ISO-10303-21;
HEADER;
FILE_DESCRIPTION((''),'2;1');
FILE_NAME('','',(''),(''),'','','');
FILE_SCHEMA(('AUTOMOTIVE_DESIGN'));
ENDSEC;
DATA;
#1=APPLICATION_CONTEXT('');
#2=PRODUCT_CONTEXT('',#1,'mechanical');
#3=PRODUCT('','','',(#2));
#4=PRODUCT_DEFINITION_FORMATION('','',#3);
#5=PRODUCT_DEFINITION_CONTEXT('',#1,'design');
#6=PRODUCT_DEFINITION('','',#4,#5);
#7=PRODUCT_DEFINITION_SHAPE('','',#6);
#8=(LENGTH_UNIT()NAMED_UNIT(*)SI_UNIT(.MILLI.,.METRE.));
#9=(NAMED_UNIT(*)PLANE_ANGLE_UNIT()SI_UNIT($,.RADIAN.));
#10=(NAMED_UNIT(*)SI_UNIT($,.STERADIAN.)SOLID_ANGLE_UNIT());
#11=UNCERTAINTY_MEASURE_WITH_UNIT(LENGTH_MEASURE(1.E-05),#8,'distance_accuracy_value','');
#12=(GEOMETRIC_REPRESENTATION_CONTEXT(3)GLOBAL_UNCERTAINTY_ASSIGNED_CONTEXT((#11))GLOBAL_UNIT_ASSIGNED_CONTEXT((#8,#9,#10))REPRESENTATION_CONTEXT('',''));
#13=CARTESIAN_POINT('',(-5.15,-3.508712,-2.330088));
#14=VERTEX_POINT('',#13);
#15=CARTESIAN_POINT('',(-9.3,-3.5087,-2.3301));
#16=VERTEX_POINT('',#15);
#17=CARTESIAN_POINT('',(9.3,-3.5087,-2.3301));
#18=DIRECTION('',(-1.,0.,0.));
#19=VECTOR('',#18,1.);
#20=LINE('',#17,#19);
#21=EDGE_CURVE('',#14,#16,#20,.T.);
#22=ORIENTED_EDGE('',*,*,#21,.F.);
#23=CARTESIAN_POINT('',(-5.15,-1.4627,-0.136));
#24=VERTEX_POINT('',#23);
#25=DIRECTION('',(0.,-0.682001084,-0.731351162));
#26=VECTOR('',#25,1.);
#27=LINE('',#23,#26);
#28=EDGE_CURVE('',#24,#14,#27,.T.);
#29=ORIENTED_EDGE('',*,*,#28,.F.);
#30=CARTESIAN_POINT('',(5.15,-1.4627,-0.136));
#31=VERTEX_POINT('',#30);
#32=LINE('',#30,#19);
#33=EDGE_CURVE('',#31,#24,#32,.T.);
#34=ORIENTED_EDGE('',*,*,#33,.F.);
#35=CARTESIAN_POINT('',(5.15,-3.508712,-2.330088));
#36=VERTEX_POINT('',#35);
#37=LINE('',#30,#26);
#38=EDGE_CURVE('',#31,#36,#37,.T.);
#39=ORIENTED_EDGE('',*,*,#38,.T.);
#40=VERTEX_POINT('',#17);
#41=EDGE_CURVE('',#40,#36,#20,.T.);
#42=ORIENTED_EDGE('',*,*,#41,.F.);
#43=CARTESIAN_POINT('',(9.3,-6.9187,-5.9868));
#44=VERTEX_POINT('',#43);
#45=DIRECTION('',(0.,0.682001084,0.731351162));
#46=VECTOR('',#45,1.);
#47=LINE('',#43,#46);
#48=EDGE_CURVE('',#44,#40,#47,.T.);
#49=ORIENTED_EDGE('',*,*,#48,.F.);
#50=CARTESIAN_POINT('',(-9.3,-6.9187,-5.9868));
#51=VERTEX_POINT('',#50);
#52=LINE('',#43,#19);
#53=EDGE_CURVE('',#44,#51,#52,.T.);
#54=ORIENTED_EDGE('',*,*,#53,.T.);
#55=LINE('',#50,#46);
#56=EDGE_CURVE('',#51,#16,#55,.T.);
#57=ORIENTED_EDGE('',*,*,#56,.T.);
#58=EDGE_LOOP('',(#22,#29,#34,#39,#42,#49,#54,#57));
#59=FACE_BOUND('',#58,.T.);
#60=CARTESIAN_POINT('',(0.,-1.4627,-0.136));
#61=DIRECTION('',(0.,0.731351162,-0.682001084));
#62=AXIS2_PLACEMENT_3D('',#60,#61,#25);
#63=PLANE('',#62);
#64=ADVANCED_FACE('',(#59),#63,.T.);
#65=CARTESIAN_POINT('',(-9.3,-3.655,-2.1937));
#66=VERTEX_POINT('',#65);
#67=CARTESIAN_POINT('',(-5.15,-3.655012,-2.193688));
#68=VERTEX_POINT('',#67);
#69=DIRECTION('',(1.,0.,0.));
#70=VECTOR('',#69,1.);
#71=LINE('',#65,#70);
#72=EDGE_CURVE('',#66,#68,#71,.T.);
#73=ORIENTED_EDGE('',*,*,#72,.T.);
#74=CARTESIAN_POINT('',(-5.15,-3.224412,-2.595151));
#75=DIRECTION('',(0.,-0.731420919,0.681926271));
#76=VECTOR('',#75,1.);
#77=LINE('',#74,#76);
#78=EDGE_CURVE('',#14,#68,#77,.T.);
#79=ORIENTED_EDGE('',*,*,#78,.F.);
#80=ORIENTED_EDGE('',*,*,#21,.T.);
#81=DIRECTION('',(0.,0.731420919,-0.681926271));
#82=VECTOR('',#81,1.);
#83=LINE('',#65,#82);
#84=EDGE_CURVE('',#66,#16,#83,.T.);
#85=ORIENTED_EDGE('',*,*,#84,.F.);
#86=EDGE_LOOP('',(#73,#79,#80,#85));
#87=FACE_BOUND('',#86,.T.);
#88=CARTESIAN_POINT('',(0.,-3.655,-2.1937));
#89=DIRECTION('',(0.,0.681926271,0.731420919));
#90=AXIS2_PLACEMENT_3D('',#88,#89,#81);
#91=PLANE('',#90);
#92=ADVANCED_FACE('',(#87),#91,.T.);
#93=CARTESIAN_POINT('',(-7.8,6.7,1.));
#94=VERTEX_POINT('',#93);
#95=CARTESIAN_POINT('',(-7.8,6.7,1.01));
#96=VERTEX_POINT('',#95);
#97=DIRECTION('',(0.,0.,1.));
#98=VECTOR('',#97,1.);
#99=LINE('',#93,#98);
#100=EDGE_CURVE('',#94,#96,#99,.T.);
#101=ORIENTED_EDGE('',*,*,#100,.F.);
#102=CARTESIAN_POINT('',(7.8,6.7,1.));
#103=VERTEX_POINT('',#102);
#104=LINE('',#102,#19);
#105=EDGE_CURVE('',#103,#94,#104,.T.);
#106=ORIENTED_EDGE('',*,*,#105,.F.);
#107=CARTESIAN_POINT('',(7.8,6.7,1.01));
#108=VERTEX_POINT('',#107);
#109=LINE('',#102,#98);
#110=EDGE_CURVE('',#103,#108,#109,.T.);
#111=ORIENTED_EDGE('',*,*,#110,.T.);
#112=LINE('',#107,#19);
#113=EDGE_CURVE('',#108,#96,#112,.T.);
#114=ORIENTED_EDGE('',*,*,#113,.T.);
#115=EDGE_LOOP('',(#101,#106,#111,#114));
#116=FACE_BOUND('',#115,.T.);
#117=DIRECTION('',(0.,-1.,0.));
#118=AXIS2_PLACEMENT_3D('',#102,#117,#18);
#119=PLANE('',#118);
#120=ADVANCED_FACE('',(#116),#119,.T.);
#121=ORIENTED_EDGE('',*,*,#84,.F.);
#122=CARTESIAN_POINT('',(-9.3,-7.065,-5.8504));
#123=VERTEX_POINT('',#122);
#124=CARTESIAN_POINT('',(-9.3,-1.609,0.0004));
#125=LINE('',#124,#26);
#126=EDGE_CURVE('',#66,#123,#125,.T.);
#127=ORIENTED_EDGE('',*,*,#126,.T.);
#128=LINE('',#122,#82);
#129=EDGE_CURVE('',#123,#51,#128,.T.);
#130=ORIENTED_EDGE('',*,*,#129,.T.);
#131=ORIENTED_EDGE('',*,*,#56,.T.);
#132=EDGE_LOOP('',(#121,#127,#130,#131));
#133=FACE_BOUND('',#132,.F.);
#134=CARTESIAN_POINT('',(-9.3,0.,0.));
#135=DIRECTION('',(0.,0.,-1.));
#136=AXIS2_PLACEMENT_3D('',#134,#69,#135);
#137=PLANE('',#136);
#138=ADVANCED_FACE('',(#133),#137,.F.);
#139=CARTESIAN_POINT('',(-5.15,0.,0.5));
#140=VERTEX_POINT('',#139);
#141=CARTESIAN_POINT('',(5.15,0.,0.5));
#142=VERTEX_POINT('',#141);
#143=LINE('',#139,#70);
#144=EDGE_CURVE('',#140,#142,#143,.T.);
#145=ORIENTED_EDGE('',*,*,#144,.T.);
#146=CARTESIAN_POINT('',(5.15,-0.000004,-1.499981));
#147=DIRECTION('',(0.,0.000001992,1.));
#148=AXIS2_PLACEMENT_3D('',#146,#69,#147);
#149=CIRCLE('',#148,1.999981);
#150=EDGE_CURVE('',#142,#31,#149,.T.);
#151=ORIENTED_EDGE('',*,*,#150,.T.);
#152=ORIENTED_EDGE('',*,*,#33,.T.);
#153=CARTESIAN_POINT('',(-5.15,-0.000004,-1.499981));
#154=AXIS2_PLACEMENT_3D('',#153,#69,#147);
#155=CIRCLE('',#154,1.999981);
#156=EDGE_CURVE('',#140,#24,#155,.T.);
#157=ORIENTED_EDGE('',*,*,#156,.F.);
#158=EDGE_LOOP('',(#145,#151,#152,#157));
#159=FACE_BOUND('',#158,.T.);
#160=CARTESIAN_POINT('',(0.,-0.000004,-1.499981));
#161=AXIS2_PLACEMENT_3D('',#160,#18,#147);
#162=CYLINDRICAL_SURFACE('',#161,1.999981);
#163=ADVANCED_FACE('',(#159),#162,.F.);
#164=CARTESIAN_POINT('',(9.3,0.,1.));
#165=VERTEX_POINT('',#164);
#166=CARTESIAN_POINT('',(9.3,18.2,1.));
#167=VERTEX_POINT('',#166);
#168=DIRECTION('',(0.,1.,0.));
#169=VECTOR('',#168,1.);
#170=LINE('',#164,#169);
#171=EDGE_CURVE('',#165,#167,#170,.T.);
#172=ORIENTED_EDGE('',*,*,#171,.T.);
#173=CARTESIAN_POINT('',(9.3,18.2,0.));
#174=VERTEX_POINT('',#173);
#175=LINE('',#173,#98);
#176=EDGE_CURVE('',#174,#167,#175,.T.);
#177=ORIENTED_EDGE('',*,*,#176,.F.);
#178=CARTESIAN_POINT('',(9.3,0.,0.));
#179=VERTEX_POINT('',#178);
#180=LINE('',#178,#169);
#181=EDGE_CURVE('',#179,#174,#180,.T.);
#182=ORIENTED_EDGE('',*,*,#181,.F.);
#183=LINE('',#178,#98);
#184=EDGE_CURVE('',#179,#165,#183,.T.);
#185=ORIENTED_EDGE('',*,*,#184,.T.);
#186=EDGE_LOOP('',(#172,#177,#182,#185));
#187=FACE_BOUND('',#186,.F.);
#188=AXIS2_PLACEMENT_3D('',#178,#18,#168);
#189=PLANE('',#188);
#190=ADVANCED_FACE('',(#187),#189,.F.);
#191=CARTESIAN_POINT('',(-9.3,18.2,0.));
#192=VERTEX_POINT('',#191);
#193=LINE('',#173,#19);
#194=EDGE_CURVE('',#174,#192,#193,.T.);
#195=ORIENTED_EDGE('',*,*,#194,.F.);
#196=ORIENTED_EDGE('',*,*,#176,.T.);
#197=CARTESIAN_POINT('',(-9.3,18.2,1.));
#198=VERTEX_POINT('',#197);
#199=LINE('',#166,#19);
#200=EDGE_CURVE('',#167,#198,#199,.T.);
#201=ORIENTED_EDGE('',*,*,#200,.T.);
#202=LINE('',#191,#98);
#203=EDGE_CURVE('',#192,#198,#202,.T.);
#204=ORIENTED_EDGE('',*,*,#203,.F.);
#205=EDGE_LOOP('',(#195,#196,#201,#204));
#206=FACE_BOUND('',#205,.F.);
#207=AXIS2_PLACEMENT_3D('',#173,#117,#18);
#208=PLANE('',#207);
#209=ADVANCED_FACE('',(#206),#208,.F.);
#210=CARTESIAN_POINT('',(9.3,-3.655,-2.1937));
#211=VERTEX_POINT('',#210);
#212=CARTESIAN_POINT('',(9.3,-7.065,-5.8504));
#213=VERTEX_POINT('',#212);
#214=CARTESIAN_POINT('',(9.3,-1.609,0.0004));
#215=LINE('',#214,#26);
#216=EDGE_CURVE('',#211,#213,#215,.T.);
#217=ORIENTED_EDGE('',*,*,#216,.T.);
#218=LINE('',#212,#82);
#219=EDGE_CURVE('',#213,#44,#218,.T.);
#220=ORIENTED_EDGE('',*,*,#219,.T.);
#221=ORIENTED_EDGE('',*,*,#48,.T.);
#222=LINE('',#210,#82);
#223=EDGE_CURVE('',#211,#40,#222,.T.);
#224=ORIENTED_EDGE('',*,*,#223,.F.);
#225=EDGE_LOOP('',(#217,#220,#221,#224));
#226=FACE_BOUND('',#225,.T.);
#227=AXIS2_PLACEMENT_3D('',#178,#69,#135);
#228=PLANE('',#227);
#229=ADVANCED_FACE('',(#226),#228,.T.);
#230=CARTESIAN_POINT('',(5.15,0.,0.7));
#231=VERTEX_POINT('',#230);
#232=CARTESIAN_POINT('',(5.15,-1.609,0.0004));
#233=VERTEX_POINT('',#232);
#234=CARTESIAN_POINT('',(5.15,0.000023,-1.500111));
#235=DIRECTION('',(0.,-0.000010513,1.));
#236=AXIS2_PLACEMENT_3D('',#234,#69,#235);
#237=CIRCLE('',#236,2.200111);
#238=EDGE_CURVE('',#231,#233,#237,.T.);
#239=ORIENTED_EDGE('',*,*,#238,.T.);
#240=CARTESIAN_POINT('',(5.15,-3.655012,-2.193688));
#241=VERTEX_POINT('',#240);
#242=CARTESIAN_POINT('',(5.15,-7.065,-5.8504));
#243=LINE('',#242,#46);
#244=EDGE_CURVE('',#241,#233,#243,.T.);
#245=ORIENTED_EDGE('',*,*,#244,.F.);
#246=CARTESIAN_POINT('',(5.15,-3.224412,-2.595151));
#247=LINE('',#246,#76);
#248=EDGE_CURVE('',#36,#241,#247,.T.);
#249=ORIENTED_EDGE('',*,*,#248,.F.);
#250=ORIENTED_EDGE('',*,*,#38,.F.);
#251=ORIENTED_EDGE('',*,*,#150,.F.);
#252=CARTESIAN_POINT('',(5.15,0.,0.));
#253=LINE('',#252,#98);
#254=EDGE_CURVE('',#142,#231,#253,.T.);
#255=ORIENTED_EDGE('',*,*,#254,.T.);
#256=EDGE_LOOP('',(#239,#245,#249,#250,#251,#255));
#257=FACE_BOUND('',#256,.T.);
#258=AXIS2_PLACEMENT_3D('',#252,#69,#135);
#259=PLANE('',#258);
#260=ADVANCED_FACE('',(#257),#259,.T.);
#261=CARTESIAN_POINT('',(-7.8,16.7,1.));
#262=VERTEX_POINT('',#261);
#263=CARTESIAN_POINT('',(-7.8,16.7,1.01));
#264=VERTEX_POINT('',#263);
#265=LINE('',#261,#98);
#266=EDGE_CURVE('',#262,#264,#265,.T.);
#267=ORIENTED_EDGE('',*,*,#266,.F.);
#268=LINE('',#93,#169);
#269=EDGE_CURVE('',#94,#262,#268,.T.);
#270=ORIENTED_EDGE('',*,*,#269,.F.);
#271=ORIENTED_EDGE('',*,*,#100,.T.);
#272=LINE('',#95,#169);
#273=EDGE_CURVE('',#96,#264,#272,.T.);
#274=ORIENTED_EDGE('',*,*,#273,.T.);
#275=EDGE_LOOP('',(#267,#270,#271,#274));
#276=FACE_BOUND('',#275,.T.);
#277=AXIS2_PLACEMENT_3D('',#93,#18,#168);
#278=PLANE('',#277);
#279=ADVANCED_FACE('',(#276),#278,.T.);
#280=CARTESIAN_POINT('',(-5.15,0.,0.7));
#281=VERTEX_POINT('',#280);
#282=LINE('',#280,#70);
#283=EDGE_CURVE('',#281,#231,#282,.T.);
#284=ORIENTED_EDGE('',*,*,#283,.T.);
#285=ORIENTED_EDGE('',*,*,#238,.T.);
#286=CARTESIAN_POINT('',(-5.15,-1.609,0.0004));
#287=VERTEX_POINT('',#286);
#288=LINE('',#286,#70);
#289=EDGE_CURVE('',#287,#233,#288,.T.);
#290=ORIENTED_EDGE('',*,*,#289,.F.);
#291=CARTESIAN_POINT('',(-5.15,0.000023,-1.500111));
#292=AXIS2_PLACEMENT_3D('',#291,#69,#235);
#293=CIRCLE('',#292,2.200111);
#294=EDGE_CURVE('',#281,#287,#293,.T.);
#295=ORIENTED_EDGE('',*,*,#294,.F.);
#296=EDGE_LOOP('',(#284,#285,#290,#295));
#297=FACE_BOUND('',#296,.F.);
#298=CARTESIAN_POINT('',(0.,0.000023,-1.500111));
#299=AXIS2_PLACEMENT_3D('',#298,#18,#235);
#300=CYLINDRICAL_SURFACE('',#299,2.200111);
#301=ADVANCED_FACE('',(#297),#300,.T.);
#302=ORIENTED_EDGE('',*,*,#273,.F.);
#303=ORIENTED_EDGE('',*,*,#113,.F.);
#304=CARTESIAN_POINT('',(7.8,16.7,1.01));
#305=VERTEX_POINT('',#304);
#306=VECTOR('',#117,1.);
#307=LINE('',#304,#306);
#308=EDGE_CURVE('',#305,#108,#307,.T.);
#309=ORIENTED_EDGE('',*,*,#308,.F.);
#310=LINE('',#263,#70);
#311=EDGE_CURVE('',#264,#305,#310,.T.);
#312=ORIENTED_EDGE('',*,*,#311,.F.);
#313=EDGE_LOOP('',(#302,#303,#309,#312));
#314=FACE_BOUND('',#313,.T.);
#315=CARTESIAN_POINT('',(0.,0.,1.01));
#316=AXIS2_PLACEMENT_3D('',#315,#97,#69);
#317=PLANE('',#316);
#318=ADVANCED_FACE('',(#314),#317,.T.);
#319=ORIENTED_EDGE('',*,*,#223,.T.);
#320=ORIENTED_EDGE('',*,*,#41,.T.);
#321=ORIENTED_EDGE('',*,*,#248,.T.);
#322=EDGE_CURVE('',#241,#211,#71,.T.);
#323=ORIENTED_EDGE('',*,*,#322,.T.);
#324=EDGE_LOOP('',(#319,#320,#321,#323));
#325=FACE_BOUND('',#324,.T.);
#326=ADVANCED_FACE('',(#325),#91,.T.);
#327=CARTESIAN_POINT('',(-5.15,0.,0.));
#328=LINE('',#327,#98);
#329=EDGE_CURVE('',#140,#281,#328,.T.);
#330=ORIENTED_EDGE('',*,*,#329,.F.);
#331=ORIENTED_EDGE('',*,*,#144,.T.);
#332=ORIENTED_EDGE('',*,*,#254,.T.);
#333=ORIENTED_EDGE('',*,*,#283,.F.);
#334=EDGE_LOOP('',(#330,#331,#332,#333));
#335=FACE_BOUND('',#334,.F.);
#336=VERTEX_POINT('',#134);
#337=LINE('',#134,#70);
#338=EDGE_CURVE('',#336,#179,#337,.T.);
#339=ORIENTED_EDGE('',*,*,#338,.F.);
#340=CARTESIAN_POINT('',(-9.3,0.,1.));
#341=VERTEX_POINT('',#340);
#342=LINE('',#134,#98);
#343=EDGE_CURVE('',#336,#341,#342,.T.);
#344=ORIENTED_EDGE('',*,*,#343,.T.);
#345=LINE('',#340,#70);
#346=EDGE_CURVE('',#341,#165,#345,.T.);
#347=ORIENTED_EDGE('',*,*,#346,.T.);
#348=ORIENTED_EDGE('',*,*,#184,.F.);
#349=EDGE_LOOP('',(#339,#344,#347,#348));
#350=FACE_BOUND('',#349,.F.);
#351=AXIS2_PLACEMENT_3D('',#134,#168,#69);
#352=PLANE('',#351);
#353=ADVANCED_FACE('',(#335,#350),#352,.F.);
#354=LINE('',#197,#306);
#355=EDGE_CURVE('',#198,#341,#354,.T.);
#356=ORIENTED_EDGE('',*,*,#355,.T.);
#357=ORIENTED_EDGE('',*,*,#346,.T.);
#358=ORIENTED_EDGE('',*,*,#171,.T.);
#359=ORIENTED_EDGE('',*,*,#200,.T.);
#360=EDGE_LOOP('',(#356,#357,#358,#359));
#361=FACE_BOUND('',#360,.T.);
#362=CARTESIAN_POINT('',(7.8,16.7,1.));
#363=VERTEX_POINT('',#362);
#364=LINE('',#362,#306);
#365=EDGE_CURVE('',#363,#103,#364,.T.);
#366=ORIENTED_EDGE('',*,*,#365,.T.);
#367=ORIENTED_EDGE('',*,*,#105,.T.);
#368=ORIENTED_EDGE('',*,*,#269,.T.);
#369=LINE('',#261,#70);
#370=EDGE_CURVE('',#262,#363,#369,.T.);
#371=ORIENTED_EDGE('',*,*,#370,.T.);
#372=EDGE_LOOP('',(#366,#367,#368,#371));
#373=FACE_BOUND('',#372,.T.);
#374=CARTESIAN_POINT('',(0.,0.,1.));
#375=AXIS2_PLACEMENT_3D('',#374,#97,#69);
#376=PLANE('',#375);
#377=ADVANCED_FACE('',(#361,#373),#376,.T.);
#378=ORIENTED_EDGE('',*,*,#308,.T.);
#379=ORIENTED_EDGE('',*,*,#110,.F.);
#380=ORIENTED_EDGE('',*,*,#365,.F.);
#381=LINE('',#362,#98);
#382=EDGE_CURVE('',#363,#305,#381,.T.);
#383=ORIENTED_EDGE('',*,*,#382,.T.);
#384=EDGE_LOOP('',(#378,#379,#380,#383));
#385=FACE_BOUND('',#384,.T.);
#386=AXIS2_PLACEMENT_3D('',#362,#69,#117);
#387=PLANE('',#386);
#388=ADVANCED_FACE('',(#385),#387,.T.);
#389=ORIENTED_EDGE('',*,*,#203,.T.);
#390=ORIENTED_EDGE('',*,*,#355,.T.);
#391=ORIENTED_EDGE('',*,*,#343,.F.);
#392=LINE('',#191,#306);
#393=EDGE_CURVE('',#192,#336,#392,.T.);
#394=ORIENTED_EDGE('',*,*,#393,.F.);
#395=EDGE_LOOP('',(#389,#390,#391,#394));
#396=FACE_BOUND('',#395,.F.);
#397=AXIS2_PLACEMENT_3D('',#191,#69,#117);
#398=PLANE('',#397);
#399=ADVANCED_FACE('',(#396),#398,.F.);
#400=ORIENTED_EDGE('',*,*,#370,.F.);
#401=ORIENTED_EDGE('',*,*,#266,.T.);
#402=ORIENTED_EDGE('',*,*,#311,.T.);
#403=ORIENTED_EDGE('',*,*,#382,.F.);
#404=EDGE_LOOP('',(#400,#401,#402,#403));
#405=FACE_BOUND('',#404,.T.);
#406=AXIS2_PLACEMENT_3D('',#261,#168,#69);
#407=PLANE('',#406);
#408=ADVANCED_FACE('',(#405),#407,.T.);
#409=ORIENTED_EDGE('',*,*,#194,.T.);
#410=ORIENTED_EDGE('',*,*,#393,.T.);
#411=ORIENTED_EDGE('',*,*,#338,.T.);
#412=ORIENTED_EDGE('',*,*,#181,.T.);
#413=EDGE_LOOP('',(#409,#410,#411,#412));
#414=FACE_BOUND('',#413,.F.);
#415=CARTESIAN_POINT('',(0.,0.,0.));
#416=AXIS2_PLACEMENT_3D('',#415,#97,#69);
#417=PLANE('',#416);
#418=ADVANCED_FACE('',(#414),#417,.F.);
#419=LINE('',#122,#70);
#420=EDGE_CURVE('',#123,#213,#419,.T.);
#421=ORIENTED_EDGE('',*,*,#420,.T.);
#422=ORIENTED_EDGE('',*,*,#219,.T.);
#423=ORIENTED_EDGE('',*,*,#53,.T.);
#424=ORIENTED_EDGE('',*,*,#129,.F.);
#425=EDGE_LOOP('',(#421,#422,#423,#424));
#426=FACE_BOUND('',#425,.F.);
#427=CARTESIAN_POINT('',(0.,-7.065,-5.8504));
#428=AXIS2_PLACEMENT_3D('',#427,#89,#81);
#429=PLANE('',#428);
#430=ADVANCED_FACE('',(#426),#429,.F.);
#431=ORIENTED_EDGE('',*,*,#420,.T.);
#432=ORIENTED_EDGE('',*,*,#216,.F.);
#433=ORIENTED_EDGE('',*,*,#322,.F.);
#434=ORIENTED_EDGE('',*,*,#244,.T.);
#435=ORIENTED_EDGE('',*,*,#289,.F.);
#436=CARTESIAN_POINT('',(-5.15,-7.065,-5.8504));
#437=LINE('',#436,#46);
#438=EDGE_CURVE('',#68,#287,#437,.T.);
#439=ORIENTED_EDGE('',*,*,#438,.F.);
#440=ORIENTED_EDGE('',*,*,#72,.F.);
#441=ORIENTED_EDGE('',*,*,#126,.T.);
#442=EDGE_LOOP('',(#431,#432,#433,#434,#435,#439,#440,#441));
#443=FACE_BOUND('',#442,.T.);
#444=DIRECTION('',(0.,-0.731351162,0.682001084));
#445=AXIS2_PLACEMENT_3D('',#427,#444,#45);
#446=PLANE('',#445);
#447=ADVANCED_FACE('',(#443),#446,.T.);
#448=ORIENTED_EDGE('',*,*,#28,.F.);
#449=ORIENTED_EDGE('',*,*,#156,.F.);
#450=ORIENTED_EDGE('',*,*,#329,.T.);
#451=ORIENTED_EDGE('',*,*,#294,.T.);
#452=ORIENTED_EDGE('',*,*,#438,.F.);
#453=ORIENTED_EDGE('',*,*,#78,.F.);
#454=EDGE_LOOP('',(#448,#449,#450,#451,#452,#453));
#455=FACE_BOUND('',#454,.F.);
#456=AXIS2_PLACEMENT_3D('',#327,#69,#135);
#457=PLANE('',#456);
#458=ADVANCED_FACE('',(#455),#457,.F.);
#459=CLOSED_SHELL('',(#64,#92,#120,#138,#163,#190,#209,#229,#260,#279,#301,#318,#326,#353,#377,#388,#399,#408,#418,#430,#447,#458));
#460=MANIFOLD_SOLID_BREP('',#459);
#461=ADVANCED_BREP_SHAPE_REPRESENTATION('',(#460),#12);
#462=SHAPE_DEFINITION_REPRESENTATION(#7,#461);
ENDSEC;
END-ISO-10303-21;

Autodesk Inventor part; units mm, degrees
ref_plane "YZ Plane" through (0, 0, 0) normal (1, 0, 0) x (0, 1, 0)
sketch "Sketch2" plane through (0, 0, 0) normal (0, 0, 1) x (1, 0, 0)
  line L0 (-9.3, 0) -> (9.3, 0)
  line L1 (9.3, 0) -> (9.3, 18.2)
  line L2 (9.3, 18.2) -> (-9.3, 18.2)
  line L3 (-9.3, 18.2) -> (-9.3, 0)
  point P0 (0, 0)
  point P1 (0, 0)
  dimension "d0" = 18.6
  dimension "d1" = 18.2
extrude "Extrusion1" add sketch "Sketch2" along normal blind 1
ref_plane "Work Plane1" through (0, 0, 0.25) normal (0, 0, -1) x (-1, 0, 0)
sketch "Sketch5" plane through (0, 0, 0) normal (0, 0, -1) x (-1, 0, 0)
  line L0 (-7.8, 6.7) -> (7.8, 6.7)
  line L1 (7.8, 6.7) -> (7.8, 16.7)
  line L2 (7.8, 16.7) -> (-7.8, 16.7)
  line L3 (-7.8, 16.7) -> (-7.8, 6.7)
  line L4 (9.3, 18.2) -> (9.3, 0) projected
  line L5 (9.3, 0) -> (-9.3, 0) projected
  line L6 (-9.3, 18.2) -> (9.3, 18.2) projected
  point P0 (0, 0)
  point P1 (0, 6.7)
  point P2 (0, 0)
  dimension "d13" = 10
  dimension "d15" = 1.5
  dimension "d16" = 1.5
ref_plane "Work Plane2" through (0, 0, 0) normal (1, 0, 0) x (0, 0, -1)
sketch "Sketch7" plane through (0, 0, 0) normal (1, 0, 0) x (0, 0, -1)
  arc A0 (-0.5, 0) -> (0.136, -1.4627) centre (1.5, 0) ccw
  line L0 (0, 0) -> (-1, 0) projected
  line L1 (0.136, -1.4627) -> (5.9868, -6.9187)
  line L2 (0, 18.2) -> (0, 0) projected
  line L3 (5.8504, -7.065) -> (-0.0004, -1.609)
  arc A1 (-0.7, 0) -> (-0.0004, -1.609) centre (1.5, 0) ccw
  line L4 (5.8504, -7.065) -> (5.9868, -6.9187)
  point P0 (5.9186, -6.9918)
  dimension "d19" = 2
  dimension "d22" = 43
  dimension "d23" = 0.5
  dimension "d24" = 0.2
  dimension "d33" = 8
extrude "Extrusion4" add sketch "Sketch7" along normal mid plane 10.3
sketch "Sketch8" plane through (0, 0, 0) normal (1, 0, 0) x (0, 0, -1)
  arc A0 (-0.5, 0) -> (0.136, -1.4627) centre (1.5, 0) ccw projected
  line L0 (-0.7, 0) -> (-0.5, 0) projected
  arc A1 (-0.7, 0) -> (-0.0004, -1.609) centre (1.5, 0) ccw construction
  line L1 (-0.0004, -1.609) -> (5.8504, -7.065) projected
  line L2 (5.8504, -7.065) -> (5.9868, -6.9187) projected
  line L3 (5.9868, -6.9187) -> (0.136, -1.4627) projected
  line L4 (2.1937, -3.655) -> (2.3301, -3.5087)
  point P0 (0, 0)
  dimension "d28" = 5
extrude "Extrusion5" add sketch "Sketch8" along normal mid plane 18.6
sketch "Sketch9" plane through (0, 0, 1) normal (0, 0, 1) x (1, 0, 0)
  line L0 (7.8, 16.7) -> (7.8, 6.7) projected
  line L1 (7.8, 6.7) -> (-7.8, 6.7) projected
  line L2 (-7.8, 6.7) -> (-7.8, 16.7) projected
  line L3 (-7.8, 16.7) -> (7.8, 16.7) projected
  point P0 (0, 0)
extrude "Extrusion6" add sketch "Sketch9" along normal blind 0.01
equation "\"BendRadius\" = Thickness"
equation "\"BendReliefWidth\" = Thickness"
equation "\"BendReliefDepth\" = 0.5 * Thickness"
equation "\"CornerReliefSize\" = 4 * Thickness"
equation "\"MinimumRemnant\" = 2 * Thickness"
equation "\"TransitionRadius\" = BendRadius"
equation "\"JacobiRadiusSize\" = BendRadius"
equation "\"GapSize\" = Thickness"
equation "\"Thickness\" = 0.2"
properties part number "0_42_oled"
